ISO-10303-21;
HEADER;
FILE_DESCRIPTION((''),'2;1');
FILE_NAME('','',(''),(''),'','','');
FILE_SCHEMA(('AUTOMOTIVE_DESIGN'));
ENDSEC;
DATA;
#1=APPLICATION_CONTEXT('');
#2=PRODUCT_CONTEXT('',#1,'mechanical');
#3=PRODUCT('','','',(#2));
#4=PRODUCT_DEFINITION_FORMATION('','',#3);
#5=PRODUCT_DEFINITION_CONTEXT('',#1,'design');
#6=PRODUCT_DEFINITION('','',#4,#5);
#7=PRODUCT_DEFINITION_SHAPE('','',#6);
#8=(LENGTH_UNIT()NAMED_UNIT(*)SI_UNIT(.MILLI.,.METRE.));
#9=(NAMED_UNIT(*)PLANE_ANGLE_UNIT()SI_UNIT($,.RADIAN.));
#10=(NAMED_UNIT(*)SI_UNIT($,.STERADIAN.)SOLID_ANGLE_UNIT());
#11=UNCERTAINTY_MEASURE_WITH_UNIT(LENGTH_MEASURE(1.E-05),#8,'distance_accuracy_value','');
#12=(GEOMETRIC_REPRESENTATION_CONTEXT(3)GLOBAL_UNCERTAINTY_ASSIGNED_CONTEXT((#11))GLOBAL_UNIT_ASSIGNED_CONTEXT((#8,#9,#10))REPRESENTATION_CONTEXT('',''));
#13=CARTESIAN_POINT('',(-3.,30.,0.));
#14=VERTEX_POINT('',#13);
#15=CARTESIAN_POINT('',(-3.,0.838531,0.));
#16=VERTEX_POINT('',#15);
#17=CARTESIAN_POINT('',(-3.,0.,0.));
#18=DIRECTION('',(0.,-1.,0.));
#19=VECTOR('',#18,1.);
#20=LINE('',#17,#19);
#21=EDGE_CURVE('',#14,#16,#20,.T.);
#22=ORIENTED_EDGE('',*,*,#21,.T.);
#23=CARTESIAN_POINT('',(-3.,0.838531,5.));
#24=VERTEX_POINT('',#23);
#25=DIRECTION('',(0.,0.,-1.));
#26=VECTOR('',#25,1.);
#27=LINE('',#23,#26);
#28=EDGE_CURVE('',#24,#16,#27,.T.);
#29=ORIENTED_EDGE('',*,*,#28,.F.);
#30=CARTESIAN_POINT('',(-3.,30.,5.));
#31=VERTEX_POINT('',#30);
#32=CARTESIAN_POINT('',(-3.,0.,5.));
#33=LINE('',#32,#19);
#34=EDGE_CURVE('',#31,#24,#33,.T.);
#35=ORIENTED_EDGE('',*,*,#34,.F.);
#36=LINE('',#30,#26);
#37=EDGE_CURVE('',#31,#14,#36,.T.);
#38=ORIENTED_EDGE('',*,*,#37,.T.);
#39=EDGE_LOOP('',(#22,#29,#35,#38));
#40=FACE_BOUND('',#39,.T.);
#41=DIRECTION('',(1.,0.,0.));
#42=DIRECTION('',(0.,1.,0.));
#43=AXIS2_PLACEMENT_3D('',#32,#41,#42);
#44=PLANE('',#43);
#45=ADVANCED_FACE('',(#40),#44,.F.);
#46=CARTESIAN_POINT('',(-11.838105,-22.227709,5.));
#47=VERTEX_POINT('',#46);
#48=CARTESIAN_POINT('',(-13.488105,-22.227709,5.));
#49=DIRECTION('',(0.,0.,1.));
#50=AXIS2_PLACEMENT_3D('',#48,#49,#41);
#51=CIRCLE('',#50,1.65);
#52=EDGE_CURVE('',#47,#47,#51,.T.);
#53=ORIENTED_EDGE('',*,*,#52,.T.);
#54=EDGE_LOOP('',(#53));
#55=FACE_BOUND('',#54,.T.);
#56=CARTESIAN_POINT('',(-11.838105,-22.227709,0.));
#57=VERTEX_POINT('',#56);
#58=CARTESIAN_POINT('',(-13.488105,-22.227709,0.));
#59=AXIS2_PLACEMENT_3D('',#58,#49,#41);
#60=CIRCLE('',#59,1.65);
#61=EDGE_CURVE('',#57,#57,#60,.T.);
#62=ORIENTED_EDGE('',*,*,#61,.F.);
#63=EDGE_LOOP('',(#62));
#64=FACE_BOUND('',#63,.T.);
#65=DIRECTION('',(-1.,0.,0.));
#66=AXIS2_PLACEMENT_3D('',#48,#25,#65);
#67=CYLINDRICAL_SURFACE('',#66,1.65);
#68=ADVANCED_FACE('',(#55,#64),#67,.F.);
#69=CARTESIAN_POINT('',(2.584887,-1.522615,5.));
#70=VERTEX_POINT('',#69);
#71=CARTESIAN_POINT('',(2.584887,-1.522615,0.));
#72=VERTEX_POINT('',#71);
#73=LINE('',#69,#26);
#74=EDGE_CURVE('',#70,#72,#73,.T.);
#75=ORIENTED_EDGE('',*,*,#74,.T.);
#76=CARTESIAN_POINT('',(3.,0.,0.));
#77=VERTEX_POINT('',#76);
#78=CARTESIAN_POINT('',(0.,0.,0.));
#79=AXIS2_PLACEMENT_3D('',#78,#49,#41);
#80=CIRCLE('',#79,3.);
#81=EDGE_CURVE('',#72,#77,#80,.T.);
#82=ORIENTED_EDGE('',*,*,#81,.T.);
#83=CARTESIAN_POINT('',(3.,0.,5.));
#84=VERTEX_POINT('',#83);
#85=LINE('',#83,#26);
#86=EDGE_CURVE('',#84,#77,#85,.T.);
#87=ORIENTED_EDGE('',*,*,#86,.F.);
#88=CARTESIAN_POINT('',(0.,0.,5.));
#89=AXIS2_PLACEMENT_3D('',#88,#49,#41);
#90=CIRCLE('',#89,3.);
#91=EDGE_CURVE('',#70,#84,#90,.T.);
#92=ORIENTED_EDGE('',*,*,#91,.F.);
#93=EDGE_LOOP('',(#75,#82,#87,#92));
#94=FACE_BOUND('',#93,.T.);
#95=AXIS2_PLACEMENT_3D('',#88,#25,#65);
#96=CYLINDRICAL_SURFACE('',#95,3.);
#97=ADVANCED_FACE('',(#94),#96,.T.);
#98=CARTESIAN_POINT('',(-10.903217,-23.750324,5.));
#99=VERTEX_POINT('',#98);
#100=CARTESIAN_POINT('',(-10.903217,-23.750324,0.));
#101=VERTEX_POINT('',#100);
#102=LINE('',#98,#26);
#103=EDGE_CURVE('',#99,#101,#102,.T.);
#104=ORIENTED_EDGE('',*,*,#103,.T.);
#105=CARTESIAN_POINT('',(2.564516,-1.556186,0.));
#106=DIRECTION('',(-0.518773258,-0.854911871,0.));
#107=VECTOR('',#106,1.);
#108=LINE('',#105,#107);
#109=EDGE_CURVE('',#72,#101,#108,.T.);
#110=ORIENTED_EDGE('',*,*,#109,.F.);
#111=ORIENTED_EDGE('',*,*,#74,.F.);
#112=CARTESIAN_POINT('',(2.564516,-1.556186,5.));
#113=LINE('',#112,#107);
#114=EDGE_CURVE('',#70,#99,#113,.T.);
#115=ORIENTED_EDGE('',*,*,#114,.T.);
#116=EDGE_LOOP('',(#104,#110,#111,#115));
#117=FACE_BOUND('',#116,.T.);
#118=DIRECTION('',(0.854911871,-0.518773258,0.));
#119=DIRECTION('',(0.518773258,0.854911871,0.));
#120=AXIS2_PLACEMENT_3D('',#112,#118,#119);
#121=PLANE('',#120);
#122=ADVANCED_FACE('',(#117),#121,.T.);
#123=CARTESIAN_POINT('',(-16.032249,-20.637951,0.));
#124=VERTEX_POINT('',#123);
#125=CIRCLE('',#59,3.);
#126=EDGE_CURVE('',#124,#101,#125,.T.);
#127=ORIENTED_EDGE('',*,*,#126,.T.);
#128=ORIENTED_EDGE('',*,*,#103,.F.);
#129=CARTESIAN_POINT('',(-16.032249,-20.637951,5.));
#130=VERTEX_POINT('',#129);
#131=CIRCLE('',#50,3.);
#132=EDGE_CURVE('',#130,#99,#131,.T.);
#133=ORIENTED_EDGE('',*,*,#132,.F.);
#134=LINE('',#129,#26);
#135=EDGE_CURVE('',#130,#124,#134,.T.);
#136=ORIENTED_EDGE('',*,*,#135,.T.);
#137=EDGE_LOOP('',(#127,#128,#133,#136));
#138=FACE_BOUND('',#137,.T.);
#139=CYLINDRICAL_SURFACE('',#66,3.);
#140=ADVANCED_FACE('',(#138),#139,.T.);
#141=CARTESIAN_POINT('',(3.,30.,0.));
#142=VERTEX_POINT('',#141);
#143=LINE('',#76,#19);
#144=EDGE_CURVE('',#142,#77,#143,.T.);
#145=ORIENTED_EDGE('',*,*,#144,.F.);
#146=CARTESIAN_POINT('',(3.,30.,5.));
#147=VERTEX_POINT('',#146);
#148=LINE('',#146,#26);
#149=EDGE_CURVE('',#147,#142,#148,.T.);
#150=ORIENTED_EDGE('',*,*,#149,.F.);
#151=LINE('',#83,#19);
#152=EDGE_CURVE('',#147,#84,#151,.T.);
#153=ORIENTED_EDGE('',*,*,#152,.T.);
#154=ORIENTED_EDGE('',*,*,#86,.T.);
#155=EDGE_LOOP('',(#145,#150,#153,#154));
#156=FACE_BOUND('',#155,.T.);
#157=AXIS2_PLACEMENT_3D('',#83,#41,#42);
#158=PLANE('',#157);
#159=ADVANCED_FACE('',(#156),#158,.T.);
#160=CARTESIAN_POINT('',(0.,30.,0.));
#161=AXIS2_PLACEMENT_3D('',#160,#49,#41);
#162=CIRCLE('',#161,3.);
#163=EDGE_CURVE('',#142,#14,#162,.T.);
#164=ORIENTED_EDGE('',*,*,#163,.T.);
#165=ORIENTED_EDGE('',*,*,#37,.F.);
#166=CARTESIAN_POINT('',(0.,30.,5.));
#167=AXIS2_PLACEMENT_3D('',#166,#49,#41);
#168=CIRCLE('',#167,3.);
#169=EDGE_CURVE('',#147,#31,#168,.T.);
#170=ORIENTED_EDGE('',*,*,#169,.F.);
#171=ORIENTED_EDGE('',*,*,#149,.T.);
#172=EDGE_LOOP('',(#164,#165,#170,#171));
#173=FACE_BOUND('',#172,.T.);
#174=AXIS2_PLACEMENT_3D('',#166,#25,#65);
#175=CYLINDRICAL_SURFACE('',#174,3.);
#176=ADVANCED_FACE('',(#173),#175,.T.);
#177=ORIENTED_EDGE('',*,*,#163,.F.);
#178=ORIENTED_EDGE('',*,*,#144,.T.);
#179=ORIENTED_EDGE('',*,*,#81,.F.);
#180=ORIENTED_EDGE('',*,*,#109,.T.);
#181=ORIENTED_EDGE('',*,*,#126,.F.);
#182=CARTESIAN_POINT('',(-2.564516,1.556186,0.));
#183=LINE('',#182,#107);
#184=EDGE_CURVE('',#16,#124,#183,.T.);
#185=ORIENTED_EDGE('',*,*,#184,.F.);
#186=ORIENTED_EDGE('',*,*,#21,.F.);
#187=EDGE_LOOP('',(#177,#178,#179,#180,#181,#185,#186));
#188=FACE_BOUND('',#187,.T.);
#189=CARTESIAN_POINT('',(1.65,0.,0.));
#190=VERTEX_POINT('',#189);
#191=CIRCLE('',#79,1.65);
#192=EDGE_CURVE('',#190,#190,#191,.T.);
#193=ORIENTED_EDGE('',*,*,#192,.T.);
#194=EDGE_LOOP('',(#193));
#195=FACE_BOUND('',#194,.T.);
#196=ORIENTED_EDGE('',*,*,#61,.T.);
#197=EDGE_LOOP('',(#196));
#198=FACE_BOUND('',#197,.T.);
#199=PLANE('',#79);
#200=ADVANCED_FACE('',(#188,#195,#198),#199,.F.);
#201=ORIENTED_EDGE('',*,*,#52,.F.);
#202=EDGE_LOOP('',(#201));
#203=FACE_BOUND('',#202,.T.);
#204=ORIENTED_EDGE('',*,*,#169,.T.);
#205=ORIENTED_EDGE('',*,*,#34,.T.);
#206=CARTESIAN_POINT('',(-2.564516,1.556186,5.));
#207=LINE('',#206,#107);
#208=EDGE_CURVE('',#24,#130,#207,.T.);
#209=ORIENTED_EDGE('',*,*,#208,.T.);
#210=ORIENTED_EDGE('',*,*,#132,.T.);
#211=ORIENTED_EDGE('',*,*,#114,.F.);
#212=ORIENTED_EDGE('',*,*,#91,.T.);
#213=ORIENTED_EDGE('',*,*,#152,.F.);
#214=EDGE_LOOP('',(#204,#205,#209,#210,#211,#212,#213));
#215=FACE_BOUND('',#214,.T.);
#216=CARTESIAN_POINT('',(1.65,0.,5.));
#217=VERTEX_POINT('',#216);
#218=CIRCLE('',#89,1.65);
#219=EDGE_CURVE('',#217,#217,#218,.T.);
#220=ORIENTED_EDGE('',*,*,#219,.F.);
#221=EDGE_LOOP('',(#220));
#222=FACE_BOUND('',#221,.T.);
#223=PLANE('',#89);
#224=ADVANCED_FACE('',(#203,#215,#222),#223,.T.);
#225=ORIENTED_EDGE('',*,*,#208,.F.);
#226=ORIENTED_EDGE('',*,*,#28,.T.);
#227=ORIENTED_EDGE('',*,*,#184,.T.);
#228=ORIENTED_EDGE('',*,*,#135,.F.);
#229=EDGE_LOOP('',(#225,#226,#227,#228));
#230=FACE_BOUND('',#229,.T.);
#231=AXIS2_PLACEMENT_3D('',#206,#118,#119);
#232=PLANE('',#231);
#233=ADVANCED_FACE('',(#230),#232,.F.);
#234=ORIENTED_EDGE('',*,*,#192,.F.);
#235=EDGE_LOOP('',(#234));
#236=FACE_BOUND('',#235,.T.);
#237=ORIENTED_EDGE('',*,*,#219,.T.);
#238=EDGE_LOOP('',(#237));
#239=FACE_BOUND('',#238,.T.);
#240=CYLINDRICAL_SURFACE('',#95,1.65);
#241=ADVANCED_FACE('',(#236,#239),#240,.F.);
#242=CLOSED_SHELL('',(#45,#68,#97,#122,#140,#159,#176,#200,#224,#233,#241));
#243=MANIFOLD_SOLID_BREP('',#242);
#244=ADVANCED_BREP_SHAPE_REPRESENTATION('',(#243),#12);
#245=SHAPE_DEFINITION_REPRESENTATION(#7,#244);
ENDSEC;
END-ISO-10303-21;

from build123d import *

# Parameters (mm, degrees)
SKIZZE1_R                       = 1.65
AUFSATZ_LINEAR_AUSTRAGEN1_DEPTH = 5


with BuildPart() as part:
    # Skizze1 → Aufsatz-Linear austragen1 (new body)
    with BuildSketch(Plane.XY):
        with BuildLine():
            Line((-3, 0.83853083), (-16.032249001, -20.637950845))
            ThreePointArc((-16.032249001, -20.637950845), (-15.044424487, -24.79244425), (-10.903217231, -23.750323726))
            Line((-10.903217231, -23.750323726), (2.584887481, -1.522615089))
            ThreePointArc((2.584887481, -1.522615089), (2.894361971, -0.789093643), (3, 0))
            Line((3, 0), (3, 30))
            ThreePointArc((3, 30), (0, 33), (-3, 30))
            Line((-3, 30), (-3, 0.83853083))
        make_face()
        Circle(SKIZZE1_R, mode=Mode.SUBTRACT)
        with Locations((-13.488104712, -22.227708637)):
            Circle(SKIZZE1_R, mode=Mode.SUBTRACT)
    extrude(amount=AUFSATZ_LINEAR_AUSTRAGEN1_DEPTH)


solid = part.part
